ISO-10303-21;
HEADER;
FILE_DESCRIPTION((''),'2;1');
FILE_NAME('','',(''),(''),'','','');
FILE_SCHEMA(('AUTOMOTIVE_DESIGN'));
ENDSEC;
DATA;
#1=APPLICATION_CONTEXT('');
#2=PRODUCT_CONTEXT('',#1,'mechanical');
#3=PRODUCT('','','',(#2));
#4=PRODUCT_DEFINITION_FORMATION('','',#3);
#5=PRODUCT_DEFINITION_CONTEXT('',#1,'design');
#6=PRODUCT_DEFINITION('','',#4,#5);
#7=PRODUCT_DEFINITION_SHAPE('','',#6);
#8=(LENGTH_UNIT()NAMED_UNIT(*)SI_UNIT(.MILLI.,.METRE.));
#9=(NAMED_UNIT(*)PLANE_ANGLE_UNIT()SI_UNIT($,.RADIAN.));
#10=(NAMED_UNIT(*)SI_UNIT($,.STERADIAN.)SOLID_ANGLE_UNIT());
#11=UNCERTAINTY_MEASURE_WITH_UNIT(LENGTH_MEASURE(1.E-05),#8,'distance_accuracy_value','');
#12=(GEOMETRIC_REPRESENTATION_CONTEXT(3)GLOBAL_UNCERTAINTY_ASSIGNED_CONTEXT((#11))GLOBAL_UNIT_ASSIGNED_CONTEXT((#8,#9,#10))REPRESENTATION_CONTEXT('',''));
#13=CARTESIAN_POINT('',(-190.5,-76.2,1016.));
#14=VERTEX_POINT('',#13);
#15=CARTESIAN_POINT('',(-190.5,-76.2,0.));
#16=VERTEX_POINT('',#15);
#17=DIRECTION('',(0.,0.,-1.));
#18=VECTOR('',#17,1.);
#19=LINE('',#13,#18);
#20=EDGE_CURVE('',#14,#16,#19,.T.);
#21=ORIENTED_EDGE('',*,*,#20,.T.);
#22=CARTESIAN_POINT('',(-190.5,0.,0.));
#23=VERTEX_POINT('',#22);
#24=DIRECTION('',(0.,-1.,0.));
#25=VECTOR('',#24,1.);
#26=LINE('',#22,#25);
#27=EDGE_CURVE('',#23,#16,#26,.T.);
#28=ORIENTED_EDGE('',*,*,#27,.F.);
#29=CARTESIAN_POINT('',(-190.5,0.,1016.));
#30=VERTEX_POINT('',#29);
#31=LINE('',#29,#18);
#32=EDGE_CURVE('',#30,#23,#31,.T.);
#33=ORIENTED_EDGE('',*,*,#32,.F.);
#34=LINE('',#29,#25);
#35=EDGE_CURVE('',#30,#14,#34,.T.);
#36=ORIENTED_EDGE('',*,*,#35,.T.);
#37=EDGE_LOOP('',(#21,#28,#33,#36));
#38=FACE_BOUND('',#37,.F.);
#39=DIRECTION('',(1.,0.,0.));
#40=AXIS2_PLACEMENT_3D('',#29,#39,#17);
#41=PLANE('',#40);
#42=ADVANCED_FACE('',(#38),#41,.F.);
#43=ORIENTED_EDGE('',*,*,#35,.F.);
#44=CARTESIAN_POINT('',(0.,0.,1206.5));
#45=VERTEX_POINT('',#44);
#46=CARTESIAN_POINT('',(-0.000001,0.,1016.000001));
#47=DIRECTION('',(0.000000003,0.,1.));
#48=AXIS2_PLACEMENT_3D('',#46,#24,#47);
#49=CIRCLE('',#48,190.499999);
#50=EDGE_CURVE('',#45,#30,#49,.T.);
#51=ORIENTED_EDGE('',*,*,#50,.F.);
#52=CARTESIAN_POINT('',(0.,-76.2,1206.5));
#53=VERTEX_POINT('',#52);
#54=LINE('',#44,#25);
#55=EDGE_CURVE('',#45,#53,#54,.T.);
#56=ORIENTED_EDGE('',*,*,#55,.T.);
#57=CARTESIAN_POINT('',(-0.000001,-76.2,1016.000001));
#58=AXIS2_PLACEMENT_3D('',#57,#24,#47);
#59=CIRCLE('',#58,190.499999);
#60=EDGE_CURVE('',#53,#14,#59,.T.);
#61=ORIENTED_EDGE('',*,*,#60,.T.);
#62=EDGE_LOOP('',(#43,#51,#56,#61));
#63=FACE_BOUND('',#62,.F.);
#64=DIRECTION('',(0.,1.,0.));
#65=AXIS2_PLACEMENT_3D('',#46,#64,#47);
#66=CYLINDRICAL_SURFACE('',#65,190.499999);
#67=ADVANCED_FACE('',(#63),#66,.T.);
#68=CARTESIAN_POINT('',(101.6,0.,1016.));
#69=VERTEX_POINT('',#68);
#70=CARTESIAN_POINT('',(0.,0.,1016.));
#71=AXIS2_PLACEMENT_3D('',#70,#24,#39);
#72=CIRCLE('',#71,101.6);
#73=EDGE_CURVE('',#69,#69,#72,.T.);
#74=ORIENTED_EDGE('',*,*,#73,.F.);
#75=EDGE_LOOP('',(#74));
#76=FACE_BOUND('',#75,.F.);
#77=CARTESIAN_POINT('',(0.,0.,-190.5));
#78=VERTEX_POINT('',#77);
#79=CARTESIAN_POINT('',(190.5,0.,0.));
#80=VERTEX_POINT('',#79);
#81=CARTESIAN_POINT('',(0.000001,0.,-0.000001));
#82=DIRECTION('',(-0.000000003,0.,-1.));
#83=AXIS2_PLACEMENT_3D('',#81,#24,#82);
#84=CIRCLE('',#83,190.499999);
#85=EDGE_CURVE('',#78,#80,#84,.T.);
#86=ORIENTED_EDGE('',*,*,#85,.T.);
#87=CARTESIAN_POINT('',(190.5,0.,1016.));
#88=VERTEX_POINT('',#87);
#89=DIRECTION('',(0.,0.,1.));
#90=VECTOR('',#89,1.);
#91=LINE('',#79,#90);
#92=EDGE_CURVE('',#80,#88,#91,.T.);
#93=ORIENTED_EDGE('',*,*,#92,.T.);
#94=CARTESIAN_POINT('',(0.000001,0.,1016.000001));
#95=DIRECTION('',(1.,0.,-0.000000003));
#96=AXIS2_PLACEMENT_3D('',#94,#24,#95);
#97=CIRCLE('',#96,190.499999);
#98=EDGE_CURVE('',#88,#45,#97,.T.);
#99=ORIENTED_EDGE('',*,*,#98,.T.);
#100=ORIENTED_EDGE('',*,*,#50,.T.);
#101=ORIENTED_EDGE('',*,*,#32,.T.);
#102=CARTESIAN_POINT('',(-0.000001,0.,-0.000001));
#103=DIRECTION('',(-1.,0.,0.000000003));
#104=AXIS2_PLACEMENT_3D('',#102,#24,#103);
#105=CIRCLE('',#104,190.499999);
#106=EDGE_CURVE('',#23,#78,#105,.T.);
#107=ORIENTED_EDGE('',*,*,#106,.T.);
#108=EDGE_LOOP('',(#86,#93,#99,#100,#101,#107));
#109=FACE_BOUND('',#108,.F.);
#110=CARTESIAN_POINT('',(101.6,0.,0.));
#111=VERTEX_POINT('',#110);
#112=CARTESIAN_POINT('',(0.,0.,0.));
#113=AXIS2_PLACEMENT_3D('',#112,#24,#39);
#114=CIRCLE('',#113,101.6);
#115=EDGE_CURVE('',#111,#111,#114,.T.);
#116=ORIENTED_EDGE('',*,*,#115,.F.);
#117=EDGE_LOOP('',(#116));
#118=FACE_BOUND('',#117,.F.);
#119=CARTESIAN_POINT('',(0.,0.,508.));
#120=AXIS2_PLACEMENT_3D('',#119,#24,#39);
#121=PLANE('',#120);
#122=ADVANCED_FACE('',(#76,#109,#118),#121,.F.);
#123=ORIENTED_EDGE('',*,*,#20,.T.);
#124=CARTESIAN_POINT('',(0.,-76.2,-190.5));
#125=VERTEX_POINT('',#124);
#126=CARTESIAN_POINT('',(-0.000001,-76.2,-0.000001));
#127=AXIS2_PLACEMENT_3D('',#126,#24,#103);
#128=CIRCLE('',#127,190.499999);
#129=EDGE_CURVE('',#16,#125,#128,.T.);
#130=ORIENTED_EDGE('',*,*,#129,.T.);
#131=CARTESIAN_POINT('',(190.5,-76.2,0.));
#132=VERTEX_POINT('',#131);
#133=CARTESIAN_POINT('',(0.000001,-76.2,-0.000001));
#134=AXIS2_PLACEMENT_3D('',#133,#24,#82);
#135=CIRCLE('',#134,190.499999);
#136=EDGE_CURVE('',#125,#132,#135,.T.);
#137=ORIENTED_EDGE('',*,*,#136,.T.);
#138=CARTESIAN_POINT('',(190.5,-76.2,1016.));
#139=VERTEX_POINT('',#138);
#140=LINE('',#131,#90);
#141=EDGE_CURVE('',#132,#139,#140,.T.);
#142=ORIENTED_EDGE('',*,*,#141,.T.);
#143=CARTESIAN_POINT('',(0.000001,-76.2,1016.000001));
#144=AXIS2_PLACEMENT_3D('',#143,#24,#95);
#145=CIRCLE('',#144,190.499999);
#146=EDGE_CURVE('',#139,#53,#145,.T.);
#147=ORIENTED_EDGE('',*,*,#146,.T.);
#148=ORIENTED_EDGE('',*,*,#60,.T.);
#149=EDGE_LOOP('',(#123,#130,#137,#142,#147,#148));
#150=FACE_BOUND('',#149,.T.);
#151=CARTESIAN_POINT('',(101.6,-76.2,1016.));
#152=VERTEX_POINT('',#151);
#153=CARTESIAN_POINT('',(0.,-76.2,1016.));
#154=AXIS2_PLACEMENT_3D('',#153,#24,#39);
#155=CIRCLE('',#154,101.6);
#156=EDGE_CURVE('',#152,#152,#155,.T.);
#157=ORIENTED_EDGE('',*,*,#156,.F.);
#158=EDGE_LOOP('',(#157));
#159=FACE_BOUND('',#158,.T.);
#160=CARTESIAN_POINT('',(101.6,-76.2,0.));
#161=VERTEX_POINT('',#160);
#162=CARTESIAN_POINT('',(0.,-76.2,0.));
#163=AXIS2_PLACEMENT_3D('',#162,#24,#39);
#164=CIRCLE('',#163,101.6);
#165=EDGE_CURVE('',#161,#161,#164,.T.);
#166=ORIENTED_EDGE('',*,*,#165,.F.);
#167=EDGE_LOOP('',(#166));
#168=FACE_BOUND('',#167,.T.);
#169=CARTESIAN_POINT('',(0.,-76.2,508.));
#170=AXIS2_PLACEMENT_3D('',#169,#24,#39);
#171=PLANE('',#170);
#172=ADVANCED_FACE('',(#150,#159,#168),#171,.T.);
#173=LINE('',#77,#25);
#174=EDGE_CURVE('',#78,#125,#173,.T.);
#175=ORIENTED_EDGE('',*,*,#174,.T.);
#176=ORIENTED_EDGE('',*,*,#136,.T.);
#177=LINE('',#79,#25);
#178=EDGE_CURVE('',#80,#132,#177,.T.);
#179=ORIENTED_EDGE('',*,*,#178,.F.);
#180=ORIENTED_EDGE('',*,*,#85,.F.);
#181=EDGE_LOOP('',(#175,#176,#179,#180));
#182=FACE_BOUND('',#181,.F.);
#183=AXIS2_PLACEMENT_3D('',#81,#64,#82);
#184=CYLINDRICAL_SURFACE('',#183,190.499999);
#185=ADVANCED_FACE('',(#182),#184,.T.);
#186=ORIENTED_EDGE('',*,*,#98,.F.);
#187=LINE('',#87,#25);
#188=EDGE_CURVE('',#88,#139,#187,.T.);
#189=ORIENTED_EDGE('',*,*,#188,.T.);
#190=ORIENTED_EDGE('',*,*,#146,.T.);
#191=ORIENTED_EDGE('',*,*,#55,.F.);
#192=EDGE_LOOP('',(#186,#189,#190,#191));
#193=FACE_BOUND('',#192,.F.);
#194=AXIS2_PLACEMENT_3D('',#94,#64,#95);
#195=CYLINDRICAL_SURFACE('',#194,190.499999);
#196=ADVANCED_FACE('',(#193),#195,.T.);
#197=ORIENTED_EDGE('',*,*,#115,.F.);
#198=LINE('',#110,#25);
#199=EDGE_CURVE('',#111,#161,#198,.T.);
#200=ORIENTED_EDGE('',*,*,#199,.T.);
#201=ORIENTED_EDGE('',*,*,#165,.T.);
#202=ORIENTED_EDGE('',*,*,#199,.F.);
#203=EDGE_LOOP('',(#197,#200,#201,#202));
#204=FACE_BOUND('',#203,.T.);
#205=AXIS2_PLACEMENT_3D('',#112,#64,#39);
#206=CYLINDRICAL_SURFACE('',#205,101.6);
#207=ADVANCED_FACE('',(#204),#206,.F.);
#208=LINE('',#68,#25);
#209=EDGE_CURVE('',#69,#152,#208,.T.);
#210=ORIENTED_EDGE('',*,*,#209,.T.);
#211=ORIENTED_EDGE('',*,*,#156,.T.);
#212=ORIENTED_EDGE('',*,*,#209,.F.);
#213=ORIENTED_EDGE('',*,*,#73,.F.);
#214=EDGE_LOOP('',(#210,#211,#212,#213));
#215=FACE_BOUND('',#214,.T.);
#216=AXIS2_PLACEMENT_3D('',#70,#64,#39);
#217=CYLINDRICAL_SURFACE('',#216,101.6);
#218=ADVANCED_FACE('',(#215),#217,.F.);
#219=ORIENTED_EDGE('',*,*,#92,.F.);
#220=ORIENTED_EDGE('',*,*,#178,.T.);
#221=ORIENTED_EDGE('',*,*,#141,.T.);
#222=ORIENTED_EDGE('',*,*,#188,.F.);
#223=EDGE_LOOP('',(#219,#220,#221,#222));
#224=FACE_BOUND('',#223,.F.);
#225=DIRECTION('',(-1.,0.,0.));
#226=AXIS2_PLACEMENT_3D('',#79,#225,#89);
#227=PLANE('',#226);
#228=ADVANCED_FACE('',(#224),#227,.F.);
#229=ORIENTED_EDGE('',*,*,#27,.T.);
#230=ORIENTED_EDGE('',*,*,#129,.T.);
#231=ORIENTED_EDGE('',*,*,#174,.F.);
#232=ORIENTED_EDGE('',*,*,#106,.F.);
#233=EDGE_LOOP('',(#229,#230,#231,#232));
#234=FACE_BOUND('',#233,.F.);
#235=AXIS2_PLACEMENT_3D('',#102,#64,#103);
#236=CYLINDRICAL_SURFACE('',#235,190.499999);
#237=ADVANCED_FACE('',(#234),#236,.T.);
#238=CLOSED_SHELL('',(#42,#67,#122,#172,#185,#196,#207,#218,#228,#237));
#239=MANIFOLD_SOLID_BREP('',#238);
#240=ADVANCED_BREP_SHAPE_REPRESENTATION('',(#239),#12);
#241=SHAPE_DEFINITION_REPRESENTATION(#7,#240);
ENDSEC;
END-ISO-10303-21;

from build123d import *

# Parameters (mm, degrees)
F0_R     = 101.6
F1_DEPTH = 76.2


with BuildPart() as f1:
    # F0 (on Front) → F1 (new body)
    with BuildSketch(Plane.XZ):
        with BuildLine():
            Line((-190.5, 1016), (-190.5, 0))
            ThreePointArc((-190.5, 0), (-134.703842, -134.703842), (0, -190.5))
            ThreePointArc((0, -190.5), (134.703842, -134.703842), (190.5, 0))
            Line((190.5, 0), (190.5, 1016))
            ThreePointArc((190.5, 1016), (134.703842, 1150.703842), (0, 1206.5))
            ThreePointArc((0, 1206.5), (-134.703842, 1150.703842), (-190.5, 1016))
        make_face()
        Circle(F0_R, mode=Mode.SUBTRACT)
        with Locations((0, 1016)):
            Circle(F0_R, mode=Mode.SUBTRACT)
    extrude(amount=F1_DEPTH)


solid = f1.part
